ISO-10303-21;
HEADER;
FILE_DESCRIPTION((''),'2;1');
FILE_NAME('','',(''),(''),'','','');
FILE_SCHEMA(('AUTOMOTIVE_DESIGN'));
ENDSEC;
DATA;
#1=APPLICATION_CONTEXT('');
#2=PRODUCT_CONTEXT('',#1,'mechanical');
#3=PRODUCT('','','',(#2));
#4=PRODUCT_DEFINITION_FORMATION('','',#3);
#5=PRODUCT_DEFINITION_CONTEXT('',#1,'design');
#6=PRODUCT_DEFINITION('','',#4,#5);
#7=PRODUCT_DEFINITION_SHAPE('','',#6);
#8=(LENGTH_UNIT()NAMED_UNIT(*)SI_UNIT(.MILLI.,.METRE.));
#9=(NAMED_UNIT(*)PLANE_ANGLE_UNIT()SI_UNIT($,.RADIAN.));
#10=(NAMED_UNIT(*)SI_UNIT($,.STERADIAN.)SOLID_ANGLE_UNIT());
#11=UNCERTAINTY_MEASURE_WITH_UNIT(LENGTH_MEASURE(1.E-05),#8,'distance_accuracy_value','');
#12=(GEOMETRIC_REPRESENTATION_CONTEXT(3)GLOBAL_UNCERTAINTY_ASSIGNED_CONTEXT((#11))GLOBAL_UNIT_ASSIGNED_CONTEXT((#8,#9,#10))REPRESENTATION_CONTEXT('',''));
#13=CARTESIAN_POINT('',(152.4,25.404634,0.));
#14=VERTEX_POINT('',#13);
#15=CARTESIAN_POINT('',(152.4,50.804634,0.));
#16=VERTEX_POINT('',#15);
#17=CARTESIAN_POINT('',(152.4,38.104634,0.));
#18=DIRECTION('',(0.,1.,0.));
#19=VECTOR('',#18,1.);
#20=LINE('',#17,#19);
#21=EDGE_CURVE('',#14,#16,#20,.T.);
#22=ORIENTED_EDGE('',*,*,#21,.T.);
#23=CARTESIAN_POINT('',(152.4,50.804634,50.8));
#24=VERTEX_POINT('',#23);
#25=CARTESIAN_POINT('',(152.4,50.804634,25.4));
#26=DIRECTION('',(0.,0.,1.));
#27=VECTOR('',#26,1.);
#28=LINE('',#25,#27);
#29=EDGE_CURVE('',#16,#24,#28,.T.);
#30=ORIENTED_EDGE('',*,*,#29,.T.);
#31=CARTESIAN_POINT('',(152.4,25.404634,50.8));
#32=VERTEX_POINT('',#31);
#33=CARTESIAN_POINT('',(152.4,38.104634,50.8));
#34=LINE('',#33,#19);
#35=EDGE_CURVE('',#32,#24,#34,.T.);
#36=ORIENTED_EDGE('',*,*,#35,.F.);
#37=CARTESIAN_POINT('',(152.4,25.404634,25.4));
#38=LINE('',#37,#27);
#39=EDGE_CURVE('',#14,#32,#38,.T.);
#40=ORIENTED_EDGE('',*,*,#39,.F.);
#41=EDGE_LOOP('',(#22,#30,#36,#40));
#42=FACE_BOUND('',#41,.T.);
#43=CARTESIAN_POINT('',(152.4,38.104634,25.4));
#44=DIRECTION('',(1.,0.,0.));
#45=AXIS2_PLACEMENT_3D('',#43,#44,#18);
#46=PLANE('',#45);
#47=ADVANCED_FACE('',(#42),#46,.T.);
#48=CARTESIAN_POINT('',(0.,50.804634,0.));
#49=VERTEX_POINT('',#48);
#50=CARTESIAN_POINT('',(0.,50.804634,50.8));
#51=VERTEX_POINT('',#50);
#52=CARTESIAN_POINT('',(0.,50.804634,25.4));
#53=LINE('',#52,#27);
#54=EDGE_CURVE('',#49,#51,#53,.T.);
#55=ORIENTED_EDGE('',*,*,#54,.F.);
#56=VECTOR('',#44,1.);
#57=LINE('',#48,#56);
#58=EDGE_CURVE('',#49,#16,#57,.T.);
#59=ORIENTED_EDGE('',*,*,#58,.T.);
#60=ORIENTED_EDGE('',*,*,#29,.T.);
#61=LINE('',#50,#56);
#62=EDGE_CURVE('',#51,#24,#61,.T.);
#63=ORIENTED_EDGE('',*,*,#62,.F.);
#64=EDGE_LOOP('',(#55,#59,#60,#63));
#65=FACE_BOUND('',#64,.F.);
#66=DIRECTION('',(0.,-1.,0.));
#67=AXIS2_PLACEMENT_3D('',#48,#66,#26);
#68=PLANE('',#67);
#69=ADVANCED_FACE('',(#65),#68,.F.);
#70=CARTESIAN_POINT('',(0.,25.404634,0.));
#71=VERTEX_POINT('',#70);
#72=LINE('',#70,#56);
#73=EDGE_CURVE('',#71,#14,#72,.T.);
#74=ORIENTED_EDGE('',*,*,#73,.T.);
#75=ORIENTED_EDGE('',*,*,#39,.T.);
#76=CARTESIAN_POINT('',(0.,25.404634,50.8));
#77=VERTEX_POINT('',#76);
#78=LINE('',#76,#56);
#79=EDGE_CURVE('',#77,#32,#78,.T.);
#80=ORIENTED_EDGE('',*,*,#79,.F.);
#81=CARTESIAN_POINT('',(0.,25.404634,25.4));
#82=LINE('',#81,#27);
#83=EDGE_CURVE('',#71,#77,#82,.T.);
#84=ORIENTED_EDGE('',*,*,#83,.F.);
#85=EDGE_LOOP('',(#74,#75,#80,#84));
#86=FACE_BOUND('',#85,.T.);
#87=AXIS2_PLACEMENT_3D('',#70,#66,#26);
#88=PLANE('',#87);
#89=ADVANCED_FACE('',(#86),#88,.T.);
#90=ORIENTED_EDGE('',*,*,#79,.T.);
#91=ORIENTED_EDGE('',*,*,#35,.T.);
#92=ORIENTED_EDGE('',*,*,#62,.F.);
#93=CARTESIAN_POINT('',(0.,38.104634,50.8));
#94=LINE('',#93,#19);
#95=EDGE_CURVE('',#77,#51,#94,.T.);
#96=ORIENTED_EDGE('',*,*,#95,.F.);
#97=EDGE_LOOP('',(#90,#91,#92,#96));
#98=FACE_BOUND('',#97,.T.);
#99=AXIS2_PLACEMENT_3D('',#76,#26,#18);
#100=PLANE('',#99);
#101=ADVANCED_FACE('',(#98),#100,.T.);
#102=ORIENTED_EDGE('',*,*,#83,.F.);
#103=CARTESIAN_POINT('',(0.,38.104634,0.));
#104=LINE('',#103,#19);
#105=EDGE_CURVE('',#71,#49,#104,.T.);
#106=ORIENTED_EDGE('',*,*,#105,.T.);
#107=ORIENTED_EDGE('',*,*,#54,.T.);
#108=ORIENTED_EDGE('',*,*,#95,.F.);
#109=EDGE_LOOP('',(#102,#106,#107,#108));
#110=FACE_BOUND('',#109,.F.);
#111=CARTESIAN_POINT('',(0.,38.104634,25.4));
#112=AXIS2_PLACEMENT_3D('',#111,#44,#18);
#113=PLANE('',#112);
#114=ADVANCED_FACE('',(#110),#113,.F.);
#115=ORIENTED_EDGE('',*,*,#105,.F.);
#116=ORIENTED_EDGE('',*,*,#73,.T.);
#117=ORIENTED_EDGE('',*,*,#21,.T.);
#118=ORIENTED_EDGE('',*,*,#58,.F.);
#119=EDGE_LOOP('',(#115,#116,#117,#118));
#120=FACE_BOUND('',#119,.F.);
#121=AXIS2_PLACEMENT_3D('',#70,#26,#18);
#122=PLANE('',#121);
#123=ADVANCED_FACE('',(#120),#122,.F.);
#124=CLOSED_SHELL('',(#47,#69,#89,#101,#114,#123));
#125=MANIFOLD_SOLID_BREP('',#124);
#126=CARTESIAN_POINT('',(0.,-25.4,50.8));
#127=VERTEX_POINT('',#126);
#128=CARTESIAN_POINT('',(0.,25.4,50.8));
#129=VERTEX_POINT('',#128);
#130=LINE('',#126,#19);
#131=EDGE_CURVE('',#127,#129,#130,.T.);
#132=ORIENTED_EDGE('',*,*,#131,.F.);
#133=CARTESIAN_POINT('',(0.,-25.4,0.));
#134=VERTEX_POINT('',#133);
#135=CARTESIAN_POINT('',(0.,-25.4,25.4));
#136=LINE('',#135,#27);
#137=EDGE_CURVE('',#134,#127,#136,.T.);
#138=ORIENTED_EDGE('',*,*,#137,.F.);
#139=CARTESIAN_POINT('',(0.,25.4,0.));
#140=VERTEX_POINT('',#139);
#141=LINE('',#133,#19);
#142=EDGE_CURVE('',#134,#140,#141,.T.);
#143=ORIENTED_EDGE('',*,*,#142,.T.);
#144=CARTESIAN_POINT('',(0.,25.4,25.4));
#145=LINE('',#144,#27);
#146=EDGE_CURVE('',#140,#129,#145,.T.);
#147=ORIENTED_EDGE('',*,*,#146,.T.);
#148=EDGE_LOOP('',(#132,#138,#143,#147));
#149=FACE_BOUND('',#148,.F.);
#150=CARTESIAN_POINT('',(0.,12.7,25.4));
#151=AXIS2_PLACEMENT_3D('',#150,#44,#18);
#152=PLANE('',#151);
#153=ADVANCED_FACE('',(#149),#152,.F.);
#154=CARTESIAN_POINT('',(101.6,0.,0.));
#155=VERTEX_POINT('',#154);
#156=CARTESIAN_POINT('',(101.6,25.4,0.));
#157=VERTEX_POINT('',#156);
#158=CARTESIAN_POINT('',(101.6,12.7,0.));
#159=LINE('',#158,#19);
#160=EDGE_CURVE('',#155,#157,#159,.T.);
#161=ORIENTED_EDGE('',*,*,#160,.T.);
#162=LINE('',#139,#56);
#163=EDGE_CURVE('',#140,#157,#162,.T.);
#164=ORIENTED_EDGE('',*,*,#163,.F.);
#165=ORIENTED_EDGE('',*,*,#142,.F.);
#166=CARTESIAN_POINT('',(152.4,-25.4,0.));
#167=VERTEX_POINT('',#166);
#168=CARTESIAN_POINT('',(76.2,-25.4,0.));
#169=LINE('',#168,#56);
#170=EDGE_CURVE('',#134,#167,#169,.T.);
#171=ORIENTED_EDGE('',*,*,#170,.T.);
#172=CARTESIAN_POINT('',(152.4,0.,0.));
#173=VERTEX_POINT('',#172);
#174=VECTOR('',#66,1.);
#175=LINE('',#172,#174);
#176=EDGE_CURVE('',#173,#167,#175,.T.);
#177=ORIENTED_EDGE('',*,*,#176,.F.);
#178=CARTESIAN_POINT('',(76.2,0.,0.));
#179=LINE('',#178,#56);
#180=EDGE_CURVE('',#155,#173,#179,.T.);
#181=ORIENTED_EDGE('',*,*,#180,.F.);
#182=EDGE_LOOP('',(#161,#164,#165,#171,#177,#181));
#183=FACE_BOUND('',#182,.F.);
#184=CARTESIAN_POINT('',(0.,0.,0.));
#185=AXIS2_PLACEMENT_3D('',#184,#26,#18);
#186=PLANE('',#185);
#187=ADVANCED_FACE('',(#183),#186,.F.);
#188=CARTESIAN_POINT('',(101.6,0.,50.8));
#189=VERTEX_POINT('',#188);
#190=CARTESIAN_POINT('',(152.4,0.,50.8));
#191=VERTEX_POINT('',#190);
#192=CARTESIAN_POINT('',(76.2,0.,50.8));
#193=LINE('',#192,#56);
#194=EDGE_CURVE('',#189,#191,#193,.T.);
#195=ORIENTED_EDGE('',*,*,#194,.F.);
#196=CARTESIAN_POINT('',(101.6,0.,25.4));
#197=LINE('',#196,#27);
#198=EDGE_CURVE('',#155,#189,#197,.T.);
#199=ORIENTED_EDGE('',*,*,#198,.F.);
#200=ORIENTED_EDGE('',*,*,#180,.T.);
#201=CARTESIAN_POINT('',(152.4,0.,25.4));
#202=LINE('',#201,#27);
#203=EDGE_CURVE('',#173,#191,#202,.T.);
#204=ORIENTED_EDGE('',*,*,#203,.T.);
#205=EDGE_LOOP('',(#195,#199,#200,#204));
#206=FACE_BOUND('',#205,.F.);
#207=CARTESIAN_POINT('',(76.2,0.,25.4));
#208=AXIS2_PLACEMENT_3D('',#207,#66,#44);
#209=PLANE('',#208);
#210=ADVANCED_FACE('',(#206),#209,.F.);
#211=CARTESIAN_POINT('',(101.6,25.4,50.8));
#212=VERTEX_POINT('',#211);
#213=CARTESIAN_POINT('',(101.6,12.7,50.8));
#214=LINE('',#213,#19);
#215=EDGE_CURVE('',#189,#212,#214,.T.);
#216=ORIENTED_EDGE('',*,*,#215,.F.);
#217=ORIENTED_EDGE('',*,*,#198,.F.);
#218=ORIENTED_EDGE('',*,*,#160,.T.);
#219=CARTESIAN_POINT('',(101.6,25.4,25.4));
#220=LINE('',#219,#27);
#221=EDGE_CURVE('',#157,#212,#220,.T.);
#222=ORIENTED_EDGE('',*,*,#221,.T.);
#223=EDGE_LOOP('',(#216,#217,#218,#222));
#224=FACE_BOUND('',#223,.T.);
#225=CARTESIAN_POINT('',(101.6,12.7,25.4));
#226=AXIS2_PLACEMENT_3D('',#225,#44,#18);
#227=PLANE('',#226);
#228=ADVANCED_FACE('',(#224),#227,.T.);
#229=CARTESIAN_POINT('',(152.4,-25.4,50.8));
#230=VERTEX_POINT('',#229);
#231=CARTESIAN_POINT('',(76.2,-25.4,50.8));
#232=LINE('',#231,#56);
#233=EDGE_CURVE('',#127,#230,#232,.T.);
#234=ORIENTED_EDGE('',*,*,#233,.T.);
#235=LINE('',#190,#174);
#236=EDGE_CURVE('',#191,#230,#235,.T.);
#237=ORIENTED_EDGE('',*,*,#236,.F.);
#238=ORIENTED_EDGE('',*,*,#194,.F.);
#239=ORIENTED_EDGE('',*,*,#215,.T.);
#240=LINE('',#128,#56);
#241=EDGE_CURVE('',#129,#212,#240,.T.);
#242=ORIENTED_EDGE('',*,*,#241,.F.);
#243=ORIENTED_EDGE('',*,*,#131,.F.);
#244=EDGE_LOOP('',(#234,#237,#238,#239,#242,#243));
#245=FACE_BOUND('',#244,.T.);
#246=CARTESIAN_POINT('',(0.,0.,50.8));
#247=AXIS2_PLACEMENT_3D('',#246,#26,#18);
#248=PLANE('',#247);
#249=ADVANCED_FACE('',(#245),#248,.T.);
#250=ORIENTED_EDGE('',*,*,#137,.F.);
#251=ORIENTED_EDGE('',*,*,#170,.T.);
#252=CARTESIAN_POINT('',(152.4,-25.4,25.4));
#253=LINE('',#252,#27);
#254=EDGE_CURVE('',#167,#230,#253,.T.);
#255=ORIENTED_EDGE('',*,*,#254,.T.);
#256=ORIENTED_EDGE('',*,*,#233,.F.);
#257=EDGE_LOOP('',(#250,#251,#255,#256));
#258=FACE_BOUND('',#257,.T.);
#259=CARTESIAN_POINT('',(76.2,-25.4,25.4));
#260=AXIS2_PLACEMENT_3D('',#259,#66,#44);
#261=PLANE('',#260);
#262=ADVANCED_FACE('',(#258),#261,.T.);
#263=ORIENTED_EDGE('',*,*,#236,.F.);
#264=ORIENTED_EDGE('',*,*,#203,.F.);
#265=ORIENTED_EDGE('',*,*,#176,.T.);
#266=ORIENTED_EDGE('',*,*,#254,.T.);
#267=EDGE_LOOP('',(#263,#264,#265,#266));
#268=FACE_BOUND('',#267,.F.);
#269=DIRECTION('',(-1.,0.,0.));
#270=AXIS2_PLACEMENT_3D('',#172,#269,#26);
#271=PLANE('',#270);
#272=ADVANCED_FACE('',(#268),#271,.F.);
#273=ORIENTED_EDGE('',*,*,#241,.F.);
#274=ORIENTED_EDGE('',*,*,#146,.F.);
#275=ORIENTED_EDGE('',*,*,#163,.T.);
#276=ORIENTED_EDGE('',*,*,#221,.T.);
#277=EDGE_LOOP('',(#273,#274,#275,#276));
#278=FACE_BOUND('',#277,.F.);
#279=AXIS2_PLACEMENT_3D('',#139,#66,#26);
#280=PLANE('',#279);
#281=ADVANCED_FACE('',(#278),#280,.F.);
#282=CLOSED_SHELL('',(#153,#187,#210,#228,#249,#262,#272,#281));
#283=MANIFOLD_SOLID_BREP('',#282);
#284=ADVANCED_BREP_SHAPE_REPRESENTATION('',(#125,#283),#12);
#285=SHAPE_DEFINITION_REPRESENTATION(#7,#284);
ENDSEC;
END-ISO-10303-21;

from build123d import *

# Parameters (mm, degrees)
F0_W     = 152.4
F0_H     = 50.8
F1_DEPTH = 25.4
F2_W     = 25.4
F2_H     = 50.8
F3_DEPTH = 101.6
F4_W     = 25.4
F4_H     = 50.8
F5_DEPTH = 152.4


with BuildPart() as f1:
    # F0 (on Front) → F1 (new body)
    with BuildSketch(Plane.XZ):
        with Locations((76.2, 25.4)):
            Rectangle(F0_W, F0_H)
    extrude(amount=F1_DEPTH)

    # F2 (on Right) → F3 (join)
    with BuildSketch(Plane.YZ):
        with Locations((12.7, 25.4)):
            Rectangle(F2_W, F2_H)
    extrude(amount=F3_DEPTH)


with BuildPart() as f5:
    # F4 (on Right) → F5 (new body)
    with BuildSketch(Plane.YZ):
        with Locations((38.104634, 25.4)):
            Rectangle(F4_W, F4_H)
    extrude(amount=F5_DEPTH)


solid = Compound([f1.part, f5.part])
